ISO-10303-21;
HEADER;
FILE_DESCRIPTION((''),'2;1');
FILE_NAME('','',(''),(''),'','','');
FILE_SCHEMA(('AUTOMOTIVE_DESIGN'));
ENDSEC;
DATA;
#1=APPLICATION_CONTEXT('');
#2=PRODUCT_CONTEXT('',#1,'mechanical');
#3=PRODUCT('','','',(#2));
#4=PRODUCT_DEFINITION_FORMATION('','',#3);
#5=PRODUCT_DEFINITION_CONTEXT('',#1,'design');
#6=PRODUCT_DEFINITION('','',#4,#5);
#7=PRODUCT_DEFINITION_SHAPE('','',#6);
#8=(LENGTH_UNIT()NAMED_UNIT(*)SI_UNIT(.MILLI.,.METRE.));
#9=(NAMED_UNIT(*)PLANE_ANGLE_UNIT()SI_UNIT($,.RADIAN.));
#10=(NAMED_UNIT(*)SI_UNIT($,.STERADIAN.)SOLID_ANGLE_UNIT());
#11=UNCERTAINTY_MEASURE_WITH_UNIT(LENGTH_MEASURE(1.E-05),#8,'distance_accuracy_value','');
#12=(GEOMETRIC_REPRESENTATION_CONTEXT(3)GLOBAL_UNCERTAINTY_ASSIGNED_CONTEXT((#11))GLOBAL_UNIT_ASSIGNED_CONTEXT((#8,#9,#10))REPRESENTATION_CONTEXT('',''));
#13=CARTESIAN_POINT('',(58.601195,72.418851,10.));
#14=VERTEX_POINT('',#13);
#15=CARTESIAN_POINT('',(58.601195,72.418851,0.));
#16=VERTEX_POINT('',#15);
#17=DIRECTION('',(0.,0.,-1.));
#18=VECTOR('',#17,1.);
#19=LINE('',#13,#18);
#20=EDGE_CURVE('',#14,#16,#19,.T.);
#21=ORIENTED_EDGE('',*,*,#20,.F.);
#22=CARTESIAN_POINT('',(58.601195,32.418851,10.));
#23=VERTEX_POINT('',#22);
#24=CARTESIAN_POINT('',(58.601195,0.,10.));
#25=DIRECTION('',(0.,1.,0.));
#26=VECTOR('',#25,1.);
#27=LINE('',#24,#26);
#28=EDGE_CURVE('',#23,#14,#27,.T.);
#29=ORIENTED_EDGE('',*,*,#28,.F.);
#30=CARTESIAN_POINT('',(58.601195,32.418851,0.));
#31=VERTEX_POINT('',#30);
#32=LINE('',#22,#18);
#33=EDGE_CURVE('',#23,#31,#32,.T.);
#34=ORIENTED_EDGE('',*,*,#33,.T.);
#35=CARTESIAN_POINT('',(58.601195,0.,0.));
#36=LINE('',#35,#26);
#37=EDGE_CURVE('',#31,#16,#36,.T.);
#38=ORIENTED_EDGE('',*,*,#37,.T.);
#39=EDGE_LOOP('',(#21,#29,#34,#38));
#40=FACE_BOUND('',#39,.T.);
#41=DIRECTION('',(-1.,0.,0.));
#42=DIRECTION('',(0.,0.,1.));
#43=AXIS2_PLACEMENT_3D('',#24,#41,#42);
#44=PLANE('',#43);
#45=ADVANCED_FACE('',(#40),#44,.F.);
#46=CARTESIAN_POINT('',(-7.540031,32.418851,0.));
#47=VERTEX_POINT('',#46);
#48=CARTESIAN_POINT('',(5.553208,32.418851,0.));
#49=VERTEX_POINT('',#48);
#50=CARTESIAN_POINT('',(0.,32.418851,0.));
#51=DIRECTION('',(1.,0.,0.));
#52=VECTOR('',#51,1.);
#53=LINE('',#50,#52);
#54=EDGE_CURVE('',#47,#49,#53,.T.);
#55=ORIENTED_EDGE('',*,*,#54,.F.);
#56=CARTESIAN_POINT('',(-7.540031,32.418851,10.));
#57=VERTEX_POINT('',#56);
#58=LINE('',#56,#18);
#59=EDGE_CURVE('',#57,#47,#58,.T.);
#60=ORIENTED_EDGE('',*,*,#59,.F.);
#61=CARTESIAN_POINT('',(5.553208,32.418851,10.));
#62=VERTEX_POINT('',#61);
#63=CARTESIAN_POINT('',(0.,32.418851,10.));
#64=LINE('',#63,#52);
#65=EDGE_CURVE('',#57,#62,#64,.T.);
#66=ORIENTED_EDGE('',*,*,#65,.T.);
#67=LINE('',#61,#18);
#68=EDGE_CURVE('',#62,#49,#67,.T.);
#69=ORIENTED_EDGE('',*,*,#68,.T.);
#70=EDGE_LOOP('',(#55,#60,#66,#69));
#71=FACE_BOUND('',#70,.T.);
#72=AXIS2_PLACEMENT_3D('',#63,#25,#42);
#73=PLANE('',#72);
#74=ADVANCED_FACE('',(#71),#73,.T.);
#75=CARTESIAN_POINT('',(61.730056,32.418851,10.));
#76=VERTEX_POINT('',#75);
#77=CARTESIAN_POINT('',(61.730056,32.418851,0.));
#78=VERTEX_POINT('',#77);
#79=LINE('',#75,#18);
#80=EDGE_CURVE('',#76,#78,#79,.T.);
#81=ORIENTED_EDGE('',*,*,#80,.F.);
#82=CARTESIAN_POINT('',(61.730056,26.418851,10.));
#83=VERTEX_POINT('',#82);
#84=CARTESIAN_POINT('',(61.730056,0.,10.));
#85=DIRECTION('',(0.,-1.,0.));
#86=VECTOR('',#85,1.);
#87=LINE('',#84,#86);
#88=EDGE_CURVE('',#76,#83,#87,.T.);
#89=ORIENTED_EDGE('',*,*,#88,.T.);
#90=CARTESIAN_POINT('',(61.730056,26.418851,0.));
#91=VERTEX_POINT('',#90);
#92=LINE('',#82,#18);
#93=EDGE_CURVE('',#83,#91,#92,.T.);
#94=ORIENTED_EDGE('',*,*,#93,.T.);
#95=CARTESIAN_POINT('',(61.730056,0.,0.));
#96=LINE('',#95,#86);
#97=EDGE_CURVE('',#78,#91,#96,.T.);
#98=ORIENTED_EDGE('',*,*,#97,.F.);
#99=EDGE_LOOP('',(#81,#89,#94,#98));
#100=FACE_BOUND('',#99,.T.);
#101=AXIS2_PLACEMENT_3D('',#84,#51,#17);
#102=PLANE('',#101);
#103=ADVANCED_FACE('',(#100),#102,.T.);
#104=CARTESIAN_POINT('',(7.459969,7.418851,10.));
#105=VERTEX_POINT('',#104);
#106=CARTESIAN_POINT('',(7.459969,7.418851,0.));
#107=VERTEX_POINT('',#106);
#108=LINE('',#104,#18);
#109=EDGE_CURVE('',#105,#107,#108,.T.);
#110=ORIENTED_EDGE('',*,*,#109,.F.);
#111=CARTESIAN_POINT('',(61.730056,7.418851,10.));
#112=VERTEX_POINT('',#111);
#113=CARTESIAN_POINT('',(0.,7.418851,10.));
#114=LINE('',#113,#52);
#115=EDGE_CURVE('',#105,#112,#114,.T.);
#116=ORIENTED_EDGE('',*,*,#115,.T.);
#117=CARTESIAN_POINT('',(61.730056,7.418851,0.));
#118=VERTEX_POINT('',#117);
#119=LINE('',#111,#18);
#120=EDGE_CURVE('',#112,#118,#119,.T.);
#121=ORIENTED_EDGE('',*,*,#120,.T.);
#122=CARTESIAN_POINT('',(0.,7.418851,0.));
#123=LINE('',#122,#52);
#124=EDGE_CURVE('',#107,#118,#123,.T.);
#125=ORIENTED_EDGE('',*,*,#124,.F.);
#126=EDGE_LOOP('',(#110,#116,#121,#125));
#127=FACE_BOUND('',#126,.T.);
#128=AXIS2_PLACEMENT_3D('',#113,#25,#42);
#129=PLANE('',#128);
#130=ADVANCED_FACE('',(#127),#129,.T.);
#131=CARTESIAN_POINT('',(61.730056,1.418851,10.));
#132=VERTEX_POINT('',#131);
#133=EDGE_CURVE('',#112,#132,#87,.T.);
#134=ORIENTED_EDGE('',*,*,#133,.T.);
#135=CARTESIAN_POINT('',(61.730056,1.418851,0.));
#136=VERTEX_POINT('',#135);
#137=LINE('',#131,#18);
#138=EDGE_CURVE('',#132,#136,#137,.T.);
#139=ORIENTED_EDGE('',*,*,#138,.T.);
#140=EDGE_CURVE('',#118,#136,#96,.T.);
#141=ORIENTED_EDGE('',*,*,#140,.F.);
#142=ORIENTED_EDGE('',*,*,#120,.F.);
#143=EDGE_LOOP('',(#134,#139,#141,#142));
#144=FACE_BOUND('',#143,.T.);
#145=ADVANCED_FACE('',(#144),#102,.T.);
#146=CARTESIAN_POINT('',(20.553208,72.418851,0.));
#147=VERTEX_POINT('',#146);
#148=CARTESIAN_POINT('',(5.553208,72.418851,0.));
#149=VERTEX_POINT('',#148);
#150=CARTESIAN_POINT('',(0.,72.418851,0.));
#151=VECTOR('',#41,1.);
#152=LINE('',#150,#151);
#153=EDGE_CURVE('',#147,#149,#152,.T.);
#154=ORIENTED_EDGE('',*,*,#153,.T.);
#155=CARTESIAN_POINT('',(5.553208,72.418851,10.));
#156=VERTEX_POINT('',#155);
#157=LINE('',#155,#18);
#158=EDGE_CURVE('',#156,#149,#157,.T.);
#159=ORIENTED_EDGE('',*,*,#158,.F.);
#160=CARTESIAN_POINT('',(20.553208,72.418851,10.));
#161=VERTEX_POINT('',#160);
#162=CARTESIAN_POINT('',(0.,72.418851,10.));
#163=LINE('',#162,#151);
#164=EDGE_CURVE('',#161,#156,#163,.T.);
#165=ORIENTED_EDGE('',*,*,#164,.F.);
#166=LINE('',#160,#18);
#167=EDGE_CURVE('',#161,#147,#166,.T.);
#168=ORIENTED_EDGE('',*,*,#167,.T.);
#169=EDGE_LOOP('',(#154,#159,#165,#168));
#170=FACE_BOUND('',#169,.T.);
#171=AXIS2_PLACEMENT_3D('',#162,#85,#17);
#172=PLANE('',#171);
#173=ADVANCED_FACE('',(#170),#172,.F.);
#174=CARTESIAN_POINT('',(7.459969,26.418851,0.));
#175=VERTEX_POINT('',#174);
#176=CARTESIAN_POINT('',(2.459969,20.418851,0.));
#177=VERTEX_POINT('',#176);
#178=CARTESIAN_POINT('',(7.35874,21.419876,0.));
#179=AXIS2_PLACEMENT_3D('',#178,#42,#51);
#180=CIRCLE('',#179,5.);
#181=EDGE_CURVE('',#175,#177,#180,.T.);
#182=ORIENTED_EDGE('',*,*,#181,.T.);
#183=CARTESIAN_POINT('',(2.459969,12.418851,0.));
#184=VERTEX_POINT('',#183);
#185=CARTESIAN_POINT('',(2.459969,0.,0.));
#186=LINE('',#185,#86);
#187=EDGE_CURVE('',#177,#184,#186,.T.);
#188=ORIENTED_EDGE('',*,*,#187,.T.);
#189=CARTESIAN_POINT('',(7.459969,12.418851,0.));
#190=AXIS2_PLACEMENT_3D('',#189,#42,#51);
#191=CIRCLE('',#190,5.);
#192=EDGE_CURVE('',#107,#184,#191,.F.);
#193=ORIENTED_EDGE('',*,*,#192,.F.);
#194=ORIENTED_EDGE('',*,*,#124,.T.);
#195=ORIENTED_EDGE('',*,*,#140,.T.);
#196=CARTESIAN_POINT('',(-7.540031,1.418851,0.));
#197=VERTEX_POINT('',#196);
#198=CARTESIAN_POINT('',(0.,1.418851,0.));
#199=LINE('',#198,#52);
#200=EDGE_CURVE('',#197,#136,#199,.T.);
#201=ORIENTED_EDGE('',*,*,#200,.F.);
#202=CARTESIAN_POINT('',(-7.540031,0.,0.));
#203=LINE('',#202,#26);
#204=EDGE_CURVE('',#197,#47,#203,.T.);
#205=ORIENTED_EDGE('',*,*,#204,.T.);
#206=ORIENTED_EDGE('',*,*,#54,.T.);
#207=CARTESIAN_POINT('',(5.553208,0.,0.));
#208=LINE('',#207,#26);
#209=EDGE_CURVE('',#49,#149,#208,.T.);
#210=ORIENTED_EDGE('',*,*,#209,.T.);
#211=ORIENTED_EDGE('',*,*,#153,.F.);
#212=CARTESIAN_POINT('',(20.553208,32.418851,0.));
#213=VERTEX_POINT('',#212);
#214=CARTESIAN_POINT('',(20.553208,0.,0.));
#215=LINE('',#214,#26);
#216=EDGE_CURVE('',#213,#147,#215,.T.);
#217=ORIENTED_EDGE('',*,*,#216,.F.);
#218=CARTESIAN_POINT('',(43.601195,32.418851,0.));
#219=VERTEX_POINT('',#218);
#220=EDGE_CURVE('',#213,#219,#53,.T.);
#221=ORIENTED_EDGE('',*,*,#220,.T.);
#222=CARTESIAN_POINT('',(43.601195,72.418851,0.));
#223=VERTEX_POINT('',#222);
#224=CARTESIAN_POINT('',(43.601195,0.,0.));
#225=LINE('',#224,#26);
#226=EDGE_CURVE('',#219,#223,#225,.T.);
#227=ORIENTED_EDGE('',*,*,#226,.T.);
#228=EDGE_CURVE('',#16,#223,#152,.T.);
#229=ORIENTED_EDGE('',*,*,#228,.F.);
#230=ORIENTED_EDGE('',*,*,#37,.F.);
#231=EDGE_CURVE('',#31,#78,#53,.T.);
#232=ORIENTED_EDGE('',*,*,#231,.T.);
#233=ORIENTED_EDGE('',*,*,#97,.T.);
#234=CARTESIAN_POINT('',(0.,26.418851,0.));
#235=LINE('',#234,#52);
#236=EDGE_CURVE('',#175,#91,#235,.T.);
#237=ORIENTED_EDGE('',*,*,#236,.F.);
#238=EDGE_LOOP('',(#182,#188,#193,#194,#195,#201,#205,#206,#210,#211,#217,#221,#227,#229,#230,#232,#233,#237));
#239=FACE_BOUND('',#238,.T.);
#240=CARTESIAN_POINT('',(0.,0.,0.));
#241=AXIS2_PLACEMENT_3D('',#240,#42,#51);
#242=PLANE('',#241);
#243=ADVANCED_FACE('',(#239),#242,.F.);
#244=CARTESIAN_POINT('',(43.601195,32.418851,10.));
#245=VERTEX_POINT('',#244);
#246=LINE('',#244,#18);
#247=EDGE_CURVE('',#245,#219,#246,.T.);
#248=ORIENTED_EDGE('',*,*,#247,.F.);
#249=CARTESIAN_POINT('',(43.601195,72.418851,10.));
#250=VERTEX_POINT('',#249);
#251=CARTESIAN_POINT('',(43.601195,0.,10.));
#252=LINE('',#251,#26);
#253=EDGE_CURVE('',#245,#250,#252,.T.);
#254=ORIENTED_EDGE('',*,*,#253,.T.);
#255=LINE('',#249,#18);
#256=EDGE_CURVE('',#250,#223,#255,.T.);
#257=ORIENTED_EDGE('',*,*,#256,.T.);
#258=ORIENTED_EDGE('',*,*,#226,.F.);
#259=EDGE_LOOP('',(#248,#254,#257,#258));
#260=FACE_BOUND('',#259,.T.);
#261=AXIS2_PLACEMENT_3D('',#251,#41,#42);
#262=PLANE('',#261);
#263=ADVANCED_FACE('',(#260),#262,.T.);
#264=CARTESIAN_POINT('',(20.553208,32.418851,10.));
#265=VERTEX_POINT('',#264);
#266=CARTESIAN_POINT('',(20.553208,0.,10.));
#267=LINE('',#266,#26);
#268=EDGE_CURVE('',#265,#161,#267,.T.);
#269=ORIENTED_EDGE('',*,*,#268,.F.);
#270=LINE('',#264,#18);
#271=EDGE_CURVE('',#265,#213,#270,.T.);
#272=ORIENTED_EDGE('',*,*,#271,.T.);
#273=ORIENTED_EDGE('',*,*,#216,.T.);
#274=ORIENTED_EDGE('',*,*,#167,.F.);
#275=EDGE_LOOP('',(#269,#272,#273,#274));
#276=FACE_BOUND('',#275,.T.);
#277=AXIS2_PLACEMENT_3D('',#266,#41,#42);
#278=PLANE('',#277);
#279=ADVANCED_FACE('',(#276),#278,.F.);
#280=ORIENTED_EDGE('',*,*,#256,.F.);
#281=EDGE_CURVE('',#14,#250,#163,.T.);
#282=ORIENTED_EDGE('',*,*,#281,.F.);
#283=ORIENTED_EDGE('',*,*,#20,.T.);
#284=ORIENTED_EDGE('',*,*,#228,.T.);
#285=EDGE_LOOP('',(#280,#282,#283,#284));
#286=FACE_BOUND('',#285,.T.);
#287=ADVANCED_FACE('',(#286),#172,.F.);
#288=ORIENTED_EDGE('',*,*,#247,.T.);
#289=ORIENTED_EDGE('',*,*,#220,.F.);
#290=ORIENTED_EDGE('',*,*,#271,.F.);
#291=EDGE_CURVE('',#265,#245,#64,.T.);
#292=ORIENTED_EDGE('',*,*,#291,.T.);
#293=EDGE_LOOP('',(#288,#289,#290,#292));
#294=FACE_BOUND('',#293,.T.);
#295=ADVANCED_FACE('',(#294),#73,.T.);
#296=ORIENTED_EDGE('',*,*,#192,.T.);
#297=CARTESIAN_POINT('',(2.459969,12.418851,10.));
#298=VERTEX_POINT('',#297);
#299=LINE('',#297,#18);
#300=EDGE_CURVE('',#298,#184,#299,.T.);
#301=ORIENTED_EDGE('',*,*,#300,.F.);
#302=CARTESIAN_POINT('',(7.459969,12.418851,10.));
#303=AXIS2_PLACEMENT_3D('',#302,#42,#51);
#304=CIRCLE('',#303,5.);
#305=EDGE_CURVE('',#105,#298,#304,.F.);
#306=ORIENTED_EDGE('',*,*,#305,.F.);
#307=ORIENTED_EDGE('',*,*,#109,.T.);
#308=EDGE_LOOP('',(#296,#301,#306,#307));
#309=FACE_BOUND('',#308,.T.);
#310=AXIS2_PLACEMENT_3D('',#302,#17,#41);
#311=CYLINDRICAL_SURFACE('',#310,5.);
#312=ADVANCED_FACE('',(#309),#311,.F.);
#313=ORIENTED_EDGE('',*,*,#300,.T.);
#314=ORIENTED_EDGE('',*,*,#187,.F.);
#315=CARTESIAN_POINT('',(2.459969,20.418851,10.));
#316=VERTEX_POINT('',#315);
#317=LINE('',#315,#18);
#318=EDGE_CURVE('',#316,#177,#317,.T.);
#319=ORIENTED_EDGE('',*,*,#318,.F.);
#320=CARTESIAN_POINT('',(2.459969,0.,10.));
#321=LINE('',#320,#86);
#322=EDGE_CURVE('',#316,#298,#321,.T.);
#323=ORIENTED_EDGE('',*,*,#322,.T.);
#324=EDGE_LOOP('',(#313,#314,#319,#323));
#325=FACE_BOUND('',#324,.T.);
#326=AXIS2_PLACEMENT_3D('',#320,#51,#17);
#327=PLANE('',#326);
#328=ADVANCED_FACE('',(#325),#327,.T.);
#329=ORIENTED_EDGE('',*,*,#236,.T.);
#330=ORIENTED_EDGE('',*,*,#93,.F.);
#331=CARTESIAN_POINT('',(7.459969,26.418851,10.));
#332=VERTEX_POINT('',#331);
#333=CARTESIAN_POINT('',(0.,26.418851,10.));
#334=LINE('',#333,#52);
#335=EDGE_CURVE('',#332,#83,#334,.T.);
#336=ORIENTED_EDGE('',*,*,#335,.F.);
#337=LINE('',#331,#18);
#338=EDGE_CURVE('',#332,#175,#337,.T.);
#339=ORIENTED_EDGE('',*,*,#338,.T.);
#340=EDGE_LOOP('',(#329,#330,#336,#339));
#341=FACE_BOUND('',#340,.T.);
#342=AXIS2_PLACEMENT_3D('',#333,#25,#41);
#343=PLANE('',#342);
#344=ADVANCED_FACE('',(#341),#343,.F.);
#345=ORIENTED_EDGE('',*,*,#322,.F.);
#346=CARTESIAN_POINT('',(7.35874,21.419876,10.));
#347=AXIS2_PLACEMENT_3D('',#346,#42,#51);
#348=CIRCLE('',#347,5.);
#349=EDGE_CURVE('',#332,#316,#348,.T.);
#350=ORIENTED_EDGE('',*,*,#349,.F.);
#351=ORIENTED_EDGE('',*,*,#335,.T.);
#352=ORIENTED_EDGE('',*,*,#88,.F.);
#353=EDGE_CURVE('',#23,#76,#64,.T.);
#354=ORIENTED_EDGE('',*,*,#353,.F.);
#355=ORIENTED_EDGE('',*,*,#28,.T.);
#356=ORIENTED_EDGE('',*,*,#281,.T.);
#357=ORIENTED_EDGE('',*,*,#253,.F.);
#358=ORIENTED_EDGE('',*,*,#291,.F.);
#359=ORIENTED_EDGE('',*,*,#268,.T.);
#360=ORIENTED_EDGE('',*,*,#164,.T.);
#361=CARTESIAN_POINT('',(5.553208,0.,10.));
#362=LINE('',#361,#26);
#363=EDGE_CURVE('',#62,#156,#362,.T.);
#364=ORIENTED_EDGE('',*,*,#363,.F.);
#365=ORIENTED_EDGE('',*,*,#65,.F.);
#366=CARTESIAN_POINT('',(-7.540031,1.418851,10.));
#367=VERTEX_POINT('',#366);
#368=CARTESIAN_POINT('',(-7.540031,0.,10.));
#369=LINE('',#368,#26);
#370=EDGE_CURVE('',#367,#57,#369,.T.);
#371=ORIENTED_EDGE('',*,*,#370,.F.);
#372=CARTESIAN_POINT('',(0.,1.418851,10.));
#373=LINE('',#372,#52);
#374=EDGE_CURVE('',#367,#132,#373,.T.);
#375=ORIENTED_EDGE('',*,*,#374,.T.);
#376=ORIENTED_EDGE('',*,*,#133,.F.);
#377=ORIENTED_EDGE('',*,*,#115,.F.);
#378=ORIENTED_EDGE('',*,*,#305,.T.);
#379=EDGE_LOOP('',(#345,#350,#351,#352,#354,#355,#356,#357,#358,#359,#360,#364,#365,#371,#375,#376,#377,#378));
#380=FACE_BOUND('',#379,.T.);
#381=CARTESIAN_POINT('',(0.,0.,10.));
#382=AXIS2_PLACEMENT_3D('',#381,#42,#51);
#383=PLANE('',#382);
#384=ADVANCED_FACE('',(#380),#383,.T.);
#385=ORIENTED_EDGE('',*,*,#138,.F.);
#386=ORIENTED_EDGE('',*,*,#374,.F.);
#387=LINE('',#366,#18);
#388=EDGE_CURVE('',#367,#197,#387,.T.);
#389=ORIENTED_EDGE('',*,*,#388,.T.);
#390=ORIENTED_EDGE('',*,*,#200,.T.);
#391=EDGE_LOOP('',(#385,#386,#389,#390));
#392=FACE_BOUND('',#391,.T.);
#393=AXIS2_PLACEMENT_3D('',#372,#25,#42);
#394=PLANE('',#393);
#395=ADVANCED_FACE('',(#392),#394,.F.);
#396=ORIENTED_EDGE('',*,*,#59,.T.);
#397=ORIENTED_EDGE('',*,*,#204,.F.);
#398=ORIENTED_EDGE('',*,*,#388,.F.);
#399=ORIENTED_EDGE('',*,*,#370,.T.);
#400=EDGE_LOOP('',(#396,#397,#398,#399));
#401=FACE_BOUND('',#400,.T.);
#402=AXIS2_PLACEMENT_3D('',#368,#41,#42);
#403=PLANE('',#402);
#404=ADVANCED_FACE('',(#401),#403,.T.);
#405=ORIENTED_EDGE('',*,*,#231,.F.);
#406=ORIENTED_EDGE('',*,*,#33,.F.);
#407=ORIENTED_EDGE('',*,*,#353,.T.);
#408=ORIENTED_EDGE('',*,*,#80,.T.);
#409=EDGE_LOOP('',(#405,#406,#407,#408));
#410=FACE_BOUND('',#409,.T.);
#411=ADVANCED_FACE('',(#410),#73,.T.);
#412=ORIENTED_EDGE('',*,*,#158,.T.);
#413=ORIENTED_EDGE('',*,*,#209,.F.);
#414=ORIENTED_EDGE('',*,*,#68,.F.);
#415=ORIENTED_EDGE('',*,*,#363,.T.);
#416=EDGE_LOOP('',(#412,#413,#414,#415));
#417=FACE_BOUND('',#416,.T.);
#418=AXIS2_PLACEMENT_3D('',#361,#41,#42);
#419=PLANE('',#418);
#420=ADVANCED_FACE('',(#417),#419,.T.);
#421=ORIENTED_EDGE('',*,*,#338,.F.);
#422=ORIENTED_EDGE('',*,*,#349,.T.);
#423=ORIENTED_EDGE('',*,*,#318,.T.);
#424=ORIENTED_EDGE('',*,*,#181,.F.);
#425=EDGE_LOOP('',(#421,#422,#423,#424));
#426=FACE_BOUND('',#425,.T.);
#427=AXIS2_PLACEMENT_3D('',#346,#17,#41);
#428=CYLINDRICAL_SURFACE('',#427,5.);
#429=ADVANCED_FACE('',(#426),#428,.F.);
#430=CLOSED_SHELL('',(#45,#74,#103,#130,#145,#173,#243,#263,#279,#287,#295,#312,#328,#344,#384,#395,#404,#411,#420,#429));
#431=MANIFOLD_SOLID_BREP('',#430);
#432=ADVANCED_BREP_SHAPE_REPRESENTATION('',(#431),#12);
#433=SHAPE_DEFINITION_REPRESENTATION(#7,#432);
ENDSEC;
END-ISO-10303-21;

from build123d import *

# Parameters (mm, degrees)
EXTRUDE_1_DEPTH = 10


with BuildPart() as part:
    # 草圖1 → 填料-伸長1 (new body)
    with BuildSketch(Plane.XY):
        with BuildLine():
            Line((7.459969379, 7.418851377), (61.73005582, 7.418851377))
            Line((61.73005582, 7.418851377), (61.73005582, 1.418851377))
            Line((61.73005582, 1.418851377), (-7.540030621, 1.418851377))
            Line((-7.540030621, 1.418851377), (-7.540030621, 22.324714328))
            Line((-7.540030621, 22.324714328), (-7.540030621, 32.418851377))
            Line((-7.540030621, 32.418851377), (5.553208045, 32.418851377))
            Line((5.553208045, 32.418851377), (5.553208045, 72.418851377))
            Line((5.553208045, 72.418851377), (20.553208045, 72.418851377))
            Line((20.553208045, 72.418851377), (20.553208045, 32.418851377))
            Line((20.553208045, 32.418851377), (43.60119499, 32.418851377))
            Line((43.60119499, 32.418851377), (43.60119499, 72.418851377))
            Line((43.60119499, 72.418851377), (58.60119499, 72.418851377))
            Line((58.60119499, 72.418851377), (58.60119499, 32.418851377))
            Line((58.60119499, 32.418851377), (61.73005582, 32.418851377))
            Line((61.73005582, 32.418851377), (61.73005582, 26.418851377))
            Line((61.73005582, 26.418851377), (7.459969379, 26.418851377))
            ThreePointArc((7.459969379, 26.418851377), (3.517633158, 24.620798228), (2.459969379, 20.418851377))
            Line((2.459969379, 20.418851377), (2.459969379, 12.418851377))
            ThreePointArc((2.459969379, 12.418851377), (3.924435473, 8.883317471), (7.459969379, 7.418851377))
        make_face()
    extrude(amount=EXTRUDE_1_DEPTH)


solid = part.part
